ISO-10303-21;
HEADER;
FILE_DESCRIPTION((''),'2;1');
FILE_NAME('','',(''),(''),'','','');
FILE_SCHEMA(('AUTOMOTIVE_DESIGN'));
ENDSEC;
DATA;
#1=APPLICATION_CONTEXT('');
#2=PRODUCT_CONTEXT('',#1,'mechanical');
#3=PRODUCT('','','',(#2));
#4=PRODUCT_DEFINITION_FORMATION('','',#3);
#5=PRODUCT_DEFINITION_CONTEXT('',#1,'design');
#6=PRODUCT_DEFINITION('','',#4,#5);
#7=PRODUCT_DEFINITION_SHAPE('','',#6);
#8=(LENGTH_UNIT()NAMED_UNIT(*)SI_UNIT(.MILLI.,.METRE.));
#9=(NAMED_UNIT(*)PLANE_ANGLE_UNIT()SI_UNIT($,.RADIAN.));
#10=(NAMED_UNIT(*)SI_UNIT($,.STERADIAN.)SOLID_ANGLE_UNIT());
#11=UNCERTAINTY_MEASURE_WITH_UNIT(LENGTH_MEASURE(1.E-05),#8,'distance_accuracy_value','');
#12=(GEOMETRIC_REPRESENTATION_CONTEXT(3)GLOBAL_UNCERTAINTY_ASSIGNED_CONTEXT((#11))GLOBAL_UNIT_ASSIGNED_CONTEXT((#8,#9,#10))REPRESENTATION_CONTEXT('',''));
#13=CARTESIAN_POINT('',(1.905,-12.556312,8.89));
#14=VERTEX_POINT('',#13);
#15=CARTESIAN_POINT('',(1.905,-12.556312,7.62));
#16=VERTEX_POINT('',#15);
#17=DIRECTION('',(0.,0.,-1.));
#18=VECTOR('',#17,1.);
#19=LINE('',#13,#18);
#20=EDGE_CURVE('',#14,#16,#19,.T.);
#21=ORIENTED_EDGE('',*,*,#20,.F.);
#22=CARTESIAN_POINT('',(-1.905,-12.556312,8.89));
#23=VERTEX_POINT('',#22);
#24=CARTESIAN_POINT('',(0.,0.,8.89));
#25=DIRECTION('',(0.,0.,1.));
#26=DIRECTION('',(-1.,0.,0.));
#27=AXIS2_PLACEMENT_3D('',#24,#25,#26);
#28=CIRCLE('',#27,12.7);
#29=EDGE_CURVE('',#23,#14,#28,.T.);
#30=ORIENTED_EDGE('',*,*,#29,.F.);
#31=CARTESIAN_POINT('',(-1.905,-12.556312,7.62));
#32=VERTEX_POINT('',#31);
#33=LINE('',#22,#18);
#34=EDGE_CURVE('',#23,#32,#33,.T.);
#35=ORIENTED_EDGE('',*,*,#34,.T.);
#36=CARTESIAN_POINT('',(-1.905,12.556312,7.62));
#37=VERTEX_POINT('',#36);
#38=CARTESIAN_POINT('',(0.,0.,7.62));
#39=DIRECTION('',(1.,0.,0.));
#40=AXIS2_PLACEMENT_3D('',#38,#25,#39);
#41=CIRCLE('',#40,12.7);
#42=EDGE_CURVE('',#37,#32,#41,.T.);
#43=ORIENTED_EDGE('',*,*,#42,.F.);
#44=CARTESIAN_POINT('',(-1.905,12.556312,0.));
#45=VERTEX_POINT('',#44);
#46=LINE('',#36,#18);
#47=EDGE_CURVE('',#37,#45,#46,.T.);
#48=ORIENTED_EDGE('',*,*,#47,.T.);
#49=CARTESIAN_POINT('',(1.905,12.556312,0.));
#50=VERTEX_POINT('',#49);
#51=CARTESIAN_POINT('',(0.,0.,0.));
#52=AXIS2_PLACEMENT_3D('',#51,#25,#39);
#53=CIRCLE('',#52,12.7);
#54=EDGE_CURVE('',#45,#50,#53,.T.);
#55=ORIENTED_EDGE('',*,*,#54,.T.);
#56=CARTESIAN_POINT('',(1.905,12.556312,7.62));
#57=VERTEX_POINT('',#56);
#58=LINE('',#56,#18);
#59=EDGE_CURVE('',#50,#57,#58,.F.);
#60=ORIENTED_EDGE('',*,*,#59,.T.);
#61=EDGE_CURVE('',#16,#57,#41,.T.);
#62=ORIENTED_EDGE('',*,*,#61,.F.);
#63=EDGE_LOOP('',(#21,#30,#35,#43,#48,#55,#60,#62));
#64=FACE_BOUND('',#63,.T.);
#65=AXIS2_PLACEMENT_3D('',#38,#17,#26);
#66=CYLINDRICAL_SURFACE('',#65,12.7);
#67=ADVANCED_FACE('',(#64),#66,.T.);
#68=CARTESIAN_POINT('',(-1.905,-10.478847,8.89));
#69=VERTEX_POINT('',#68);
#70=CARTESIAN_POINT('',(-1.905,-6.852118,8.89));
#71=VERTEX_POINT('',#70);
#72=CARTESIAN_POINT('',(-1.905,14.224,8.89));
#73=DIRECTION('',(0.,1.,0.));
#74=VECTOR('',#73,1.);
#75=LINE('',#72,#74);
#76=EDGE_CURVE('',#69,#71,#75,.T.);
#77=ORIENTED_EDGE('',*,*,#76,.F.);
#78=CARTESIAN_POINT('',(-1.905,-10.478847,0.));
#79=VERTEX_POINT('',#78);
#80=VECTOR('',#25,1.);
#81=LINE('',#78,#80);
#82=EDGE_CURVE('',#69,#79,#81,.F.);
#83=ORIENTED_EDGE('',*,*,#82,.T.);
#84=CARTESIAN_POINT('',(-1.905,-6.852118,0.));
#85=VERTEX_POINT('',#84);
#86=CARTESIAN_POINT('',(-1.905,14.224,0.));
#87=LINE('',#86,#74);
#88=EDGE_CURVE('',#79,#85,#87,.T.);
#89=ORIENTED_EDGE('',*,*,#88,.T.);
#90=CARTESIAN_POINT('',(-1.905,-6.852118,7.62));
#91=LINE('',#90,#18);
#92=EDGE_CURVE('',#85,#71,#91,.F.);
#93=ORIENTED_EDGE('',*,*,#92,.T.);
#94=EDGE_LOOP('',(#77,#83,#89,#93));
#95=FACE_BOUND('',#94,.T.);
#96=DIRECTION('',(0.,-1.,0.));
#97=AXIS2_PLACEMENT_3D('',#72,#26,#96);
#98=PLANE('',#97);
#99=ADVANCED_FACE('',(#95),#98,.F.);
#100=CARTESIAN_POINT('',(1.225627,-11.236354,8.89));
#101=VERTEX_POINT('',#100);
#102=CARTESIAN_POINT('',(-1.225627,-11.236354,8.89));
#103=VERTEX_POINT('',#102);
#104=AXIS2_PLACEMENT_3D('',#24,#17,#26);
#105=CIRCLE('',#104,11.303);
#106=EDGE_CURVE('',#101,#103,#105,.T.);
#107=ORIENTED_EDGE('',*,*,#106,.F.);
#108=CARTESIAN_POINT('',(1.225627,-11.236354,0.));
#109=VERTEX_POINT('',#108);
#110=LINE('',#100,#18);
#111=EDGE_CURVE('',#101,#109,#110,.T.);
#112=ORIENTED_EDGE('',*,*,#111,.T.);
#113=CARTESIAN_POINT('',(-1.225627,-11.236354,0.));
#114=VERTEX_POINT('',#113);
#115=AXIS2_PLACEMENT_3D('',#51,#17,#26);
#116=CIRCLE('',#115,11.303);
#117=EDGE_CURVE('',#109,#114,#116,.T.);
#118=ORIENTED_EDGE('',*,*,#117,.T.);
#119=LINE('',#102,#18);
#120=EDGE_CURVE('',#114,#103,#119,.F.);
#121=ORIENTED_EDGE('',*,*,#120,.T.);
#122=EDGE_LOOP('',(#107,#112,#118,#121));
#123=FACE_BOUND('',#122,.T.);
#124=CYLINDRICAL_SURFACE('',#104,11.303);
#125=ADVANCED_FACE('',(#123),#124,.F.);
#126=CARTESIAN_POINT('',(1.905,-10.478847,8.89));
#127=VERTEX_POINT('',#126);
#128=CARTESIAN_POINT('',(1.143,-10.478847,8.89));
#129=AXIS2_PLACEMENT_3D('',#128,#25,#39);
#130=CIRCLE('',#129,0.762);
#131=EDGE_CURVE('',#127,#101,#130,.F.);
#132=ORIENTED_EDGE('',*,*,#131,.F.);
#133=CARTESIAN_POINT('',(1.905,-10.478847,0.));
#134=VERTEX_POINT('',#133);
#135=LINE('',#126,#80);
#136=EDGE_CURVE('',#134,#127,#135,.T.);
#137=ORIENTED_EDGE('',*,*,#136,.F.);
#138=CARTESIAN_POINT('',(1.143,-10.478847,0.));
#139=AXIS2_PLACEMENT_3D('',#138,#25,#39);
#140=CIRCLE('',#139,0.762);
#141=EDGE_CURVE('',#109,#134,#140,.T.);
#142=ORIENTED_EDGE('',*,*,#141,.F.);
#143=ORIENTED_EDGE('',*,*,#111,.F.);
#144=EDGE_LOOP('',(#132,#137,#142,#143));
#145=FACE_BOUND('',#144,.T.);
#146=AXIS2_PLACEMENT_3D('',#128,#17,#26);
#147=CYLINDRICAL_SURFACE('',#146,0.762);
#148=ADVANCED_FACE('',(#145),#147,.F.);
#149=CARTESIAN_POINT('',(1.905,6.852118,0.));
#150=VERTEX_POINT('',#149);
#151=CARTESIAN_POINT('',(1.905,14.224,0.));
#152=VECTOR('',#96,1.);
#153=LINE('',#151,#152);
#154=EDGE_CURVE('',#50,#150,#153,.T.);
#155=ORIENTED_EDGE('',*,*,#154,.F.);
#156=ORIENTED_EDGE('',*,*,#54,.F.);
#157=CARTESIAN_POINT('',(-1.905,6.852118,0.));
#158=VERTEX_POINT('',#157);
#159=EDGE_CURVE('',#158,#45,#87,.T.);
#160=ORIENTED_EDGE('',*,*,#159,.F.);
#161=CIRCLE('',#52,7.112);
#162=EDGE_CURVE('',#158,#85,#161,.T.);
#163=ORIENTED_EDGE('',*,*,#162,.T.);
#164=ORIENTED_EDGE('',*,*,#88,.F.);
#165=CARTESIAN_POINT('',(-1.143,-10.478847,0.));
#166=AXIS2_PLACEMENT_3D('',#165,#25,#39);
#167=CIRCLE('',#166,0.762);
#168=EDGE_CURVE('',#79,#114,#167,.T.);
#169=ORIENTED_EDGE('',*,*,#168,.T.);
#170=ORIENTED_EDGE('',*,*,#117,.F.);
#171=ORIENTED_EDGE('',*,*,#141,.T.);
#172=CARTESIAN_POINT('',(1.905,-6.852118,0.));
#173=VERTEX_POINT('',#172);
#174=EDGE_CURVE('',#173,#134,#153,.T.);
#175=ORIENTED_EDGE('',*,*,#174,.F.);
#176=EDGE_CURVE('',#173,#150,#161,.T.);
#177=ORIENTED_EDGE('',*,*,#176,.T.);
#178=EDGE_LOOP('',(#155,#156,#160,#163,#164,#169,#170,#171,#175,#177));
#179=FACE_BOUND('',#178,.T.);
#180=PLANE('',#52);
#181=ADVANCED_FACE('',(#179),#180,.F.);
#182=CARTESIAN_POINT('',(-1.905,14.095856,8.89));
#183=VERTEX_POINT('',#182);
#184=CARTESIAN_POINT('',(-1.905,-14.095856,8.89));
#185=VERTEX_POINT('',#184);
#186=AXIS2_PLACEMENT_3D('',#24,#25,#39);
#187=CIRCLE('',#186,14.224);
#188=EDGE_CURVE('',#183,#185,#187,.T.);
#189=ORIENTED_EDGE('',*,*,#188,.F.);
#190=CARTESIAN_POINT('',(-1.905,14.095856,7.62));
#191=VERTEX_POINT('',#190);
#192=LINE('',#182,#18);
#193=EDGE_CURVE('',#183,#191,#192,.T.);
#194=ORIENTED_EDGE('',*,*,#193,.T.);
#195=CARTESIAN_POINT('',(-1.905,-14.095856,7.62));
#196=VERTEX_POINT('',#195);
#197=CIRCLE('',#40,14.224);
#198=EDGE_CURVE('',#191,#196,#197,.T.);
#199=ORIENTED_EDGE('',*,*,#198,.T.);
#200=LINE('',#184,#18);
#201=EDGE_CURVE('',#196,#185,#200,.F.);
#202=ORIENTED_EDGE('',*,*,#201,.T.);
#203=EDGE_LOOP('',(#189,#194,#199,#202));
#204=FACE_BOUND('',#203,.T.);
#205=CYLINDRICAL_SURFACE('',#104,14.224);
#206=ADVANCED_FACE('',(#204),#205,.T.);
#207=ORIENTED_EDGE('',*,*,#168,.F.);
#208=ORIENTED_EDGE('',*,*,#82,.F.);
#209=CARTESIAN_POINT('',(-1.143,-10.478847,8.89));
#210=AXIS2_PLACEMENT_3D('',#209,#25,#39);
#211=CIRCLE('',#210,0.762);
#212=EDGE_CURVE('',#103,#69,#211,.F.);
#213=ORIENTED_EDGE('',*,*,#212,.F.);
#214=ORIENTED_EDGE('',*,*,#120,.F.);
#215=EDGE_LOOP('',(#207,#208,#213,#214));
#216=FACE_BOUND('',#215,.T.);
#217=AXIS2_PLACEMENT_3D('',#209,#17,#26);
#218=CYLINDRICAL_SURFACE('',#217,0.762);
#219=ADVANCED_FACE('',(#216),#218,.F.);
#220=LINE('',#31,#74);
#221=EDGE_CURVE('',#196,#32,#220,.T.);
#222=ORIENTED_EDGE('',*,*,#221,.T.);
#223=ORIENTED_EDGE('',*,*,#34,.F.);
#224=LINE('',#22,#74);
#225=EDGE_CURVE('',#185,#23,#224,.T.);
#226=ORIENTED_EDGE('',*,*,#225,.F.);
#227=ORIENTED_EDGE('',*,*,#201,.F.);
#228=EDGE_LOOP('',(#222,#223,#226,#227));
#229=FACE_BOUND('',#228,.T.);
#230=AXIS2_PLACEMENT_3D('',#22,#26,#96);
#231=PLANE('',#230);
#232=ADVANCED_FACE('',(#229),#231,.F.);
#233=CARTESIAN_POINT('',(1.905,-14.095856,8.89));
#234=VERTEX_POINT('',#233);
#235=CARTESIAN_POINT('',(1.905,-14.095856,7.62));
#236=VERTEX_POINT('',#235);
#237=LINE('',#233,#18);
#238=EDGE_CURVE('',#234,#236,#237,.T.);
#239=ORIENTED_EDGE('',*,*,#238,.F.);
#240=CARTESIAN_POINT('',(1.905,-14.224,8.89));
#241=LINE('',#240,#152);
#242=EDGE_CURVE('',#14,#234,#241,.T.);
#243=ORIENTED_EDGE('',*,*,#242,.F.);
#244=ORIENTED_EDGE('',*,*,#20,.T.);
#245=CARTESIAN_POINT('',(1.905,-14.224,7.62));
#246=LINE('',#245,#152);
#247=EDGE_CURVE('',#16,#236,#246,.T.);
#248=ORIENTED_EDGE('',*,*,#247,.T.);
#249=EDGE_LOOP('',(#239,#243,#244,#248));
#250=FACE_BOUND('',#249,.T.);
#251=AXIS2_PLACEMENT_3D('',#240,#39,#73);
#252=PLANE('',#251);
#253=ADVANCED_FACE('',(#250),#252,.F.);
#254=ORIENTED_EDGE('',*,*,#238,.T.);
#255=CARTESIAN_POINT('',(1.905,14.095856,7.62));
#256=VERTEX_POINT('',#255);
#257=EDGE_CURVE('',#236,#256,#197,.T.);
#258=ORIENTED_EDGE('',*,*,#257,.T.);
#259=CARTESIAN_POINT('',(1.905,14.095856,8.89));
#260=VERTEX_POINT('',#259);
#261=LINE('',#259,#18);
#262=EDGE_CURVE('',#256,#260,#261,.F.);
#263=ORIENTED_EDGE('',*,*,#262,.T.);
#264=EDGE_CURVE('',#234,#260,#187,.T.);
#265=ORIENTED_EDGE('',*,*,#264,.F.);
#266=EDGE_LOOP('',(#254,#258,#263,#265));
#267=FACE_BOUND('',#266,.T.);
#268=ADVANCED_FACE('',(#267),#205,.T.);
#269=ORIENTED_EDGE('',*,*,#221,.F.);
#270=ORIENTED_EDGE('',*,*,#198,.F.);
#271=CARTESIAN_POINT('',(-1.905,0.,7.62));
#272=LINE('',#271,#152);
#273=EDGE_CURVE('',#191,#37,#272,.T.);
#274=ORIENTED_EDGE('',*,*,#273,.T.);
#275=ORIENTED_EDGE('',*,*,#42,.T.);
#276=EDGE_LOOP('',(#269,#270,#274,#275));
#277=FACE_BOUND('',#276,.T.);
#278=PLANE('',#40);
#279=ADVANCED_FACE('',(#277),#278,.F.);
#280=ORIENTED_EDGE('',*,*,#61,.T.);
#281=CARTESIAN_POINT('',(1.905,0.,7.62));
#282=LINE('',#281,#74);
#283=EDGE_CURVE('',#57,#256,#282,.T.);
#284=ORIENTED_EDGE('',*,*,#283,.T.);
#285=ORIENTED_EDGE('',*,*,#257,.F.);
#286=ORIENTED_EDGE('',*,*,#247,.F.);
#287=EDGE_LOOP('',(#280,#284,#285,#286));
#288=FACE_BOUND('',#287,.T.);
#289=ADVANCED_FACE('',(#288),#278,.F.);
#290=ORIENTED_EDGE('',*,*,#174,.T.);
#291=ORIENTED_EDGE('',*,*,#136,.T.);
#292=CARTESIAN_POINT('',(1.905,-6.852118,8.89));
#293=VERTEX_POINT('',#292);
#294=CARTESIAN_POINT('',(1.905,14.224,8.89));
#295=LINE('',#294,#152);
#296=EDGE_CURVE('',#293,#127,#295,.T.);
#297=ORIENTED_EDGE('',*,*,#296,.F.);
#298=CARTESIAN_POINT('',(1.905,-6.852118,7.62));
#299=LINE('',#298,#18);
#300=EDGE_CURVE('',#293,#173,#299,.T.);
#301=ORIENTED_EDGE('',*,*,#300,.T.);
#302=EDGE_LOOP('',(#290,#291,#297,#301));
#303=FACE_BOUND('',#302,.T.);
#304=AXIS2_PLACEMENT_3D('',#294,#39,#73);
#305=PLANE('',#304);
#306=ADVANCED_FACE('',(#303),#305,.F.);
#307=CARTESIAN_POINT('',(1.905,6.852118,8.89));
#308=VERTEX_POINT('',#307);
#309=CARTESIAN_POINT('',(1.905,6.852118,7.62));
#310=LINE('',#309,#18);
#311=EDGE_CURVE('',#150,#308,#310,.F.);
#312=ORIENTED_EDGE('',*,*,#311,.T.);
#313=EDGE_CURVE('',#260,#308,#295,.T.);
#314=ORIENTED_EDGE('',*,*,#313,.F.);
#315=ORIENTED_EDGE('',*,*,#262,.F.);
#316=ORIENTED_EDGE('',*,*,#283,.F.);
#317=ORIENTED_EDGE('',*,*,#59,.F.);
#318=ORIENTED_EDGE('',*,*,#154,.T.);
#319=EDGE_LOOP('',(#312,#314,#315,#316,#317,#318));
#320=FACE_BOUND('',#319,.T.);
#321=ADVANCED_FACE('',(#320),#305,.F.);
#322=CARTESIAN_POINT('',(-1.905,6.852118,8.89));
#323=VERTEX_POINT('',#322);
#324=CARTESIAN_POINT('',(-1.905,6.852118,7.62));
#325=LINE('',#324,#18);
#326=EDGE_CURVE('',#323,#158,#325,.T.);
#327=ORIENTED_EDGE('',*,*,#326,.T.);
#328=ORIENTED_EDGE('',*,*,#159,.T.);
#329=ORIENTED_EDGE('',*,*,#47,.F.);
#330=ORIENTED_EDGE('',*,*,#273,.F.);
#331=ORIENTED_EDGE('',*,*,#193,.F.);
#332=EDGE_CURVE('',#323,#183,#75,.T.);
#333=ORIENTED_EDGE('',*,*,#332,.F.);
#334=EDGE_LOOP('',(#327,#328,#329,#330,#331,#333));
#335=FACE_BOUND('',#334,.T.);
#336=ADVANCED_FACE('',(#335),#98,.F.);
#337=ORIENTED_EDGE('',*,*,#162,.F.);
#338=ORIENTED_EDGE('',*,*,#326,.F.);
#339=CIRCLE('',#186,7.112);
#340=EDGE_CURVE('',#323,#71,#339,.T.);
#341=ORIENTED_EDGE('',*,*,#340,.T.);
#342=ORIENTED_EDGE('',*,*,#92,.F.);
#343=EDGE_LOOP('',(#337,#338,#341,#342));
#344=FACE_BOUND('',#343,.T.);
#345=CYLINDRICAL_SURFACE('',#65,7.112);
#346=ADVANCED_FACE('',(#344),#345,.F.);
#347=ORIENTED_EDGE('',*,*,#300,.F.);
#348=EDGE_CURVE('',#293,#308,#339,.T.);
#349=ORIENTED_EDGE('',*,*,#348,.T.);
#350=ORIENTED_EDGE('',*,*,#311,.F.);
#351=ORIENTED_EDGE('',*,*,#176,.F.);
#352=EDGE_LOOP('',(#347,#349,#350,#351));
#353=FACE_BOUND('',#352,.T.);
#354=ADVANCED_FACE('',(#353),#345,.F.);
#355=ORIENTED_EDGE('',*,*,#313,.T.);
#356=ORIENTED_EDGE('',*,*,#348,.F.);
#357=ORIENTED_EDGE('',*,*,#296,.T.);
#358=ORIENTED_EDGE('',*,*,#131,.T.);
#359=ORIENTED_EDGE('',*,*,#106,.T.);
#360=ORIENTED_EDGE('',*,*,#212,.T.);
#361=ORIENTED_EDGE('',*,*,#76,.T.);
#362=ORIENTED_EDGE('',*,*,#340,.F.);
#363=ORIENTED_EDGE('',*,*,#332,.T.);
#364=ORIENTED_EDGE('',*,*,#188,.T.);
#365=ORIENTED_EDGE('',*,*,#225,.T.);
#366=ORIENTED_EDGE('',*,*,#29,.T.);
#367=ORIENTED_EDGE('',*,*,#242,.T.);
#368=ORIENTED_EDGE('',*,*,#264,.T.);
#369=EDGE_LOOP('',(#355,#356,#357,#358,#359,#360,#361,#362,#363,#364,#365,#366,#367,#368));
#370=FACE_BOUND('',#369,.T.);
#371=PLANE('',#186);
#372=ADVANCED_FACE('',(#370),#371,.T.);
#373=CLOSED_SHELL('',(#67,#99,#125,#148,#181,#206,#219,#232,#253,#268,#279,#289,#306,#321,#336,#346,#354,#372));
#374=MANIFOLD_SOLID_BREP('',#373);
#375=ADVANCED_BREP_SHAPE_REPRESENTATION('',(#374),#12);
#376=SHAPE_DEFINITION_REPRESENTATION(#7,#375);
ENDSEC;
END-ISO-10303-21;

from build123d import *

# Parameters (mm, degrees)
SKETCH1_R           = 12.7
SKETCH1_R_2         = 7.112
BOSS_EXTRUDE1_DEPTH = 7.62
SKETCH2_R           = 14.224
SKETCH2_R_2         = 7.112
BOSS_EXTRUDE2_DEPTH = 1.27
CUT_EXTRUDE1_DEPTH  = 9.89
CUT_EXTRUDE2_DEPTH  = 2.27
FILLET1_R           = 0.762


with BuildPart() as part:
    # Sketch1 → Boss-Extrude1 (new body)
    with BuildSketch(Plane.XY):
        Circle(SKETCH1_R)
        Circle(SKETCH1_R_2, mode=Mode.SUBTRACT)
    extrude(amount=BOSS_EXTRUDE1_DEPTH)

    # Sketch2 → Boss-Extrude2 (add)
    with BuildSketch(Plane.XY.offset(7.62)):
        Circle(SKETCH2_R)
        Circle(SKETCH2_R_2, mode=Mode.SUBTRACT)
    extrude(amount=BOSS_EXTRUDE2_DEPTH)

    # Sketch3 → Cut-Extrude1 (cut, through all)
    with BuildSketch(Plane(origin=(0, 0, 0), x_dir=(-1, 0, 0), z_dir=(0, 0, -1))):
        with BuildLine():
            Line((-1.905, 14.224), (1.905, 14.224))
            Line((1.905, 14.224), (1.905, -11.141309797))
            ThreePointArc((1.905, -11.141309797), (0, -11.303), (-1.905, -11.141309797))
            Line((-1.905, -11.141309797), (-1.905, 14.224))
        make_face()
    extrude(amount=-CUT_EXTRUDE1_DEPTH, mode=Mode.SUBTRACT)

    # Sketch4 → Cut-Extrude2 (cut, through all)
    with BuildSketch(Plane(origin=(0, 0, 7.62), x_dir=(-1, 0, 0), z_dir=(0, 0, -1))):
        with BuildLine():
            Line((-1.905, -14.224), (-1.905, -12.556312158))
            ThreePointArc((-1.905, -12.556312158), (0, -12.7), (1.905, -12.556312158))
            Line((1.905, -12.556312158), (1.905, -14.224))
            Line((1.905, -14.224), (-1.905, -14.224))
        make_face()
    extrude(amount=-CUT_EXTRUDE2_DEPTH, mode=Mode.SUBTRACT)

    # Fillet1
    fillet1_edges = [part.edges().sort_by_distance(p)[0] for p in [
        (1.905, -11.141309797, 4.445),
        (-1.905, -11.141309797, 4.445),
    ]]
    fillet(fillet1_edges, radius=FILLET1_R)


solid = part.part
